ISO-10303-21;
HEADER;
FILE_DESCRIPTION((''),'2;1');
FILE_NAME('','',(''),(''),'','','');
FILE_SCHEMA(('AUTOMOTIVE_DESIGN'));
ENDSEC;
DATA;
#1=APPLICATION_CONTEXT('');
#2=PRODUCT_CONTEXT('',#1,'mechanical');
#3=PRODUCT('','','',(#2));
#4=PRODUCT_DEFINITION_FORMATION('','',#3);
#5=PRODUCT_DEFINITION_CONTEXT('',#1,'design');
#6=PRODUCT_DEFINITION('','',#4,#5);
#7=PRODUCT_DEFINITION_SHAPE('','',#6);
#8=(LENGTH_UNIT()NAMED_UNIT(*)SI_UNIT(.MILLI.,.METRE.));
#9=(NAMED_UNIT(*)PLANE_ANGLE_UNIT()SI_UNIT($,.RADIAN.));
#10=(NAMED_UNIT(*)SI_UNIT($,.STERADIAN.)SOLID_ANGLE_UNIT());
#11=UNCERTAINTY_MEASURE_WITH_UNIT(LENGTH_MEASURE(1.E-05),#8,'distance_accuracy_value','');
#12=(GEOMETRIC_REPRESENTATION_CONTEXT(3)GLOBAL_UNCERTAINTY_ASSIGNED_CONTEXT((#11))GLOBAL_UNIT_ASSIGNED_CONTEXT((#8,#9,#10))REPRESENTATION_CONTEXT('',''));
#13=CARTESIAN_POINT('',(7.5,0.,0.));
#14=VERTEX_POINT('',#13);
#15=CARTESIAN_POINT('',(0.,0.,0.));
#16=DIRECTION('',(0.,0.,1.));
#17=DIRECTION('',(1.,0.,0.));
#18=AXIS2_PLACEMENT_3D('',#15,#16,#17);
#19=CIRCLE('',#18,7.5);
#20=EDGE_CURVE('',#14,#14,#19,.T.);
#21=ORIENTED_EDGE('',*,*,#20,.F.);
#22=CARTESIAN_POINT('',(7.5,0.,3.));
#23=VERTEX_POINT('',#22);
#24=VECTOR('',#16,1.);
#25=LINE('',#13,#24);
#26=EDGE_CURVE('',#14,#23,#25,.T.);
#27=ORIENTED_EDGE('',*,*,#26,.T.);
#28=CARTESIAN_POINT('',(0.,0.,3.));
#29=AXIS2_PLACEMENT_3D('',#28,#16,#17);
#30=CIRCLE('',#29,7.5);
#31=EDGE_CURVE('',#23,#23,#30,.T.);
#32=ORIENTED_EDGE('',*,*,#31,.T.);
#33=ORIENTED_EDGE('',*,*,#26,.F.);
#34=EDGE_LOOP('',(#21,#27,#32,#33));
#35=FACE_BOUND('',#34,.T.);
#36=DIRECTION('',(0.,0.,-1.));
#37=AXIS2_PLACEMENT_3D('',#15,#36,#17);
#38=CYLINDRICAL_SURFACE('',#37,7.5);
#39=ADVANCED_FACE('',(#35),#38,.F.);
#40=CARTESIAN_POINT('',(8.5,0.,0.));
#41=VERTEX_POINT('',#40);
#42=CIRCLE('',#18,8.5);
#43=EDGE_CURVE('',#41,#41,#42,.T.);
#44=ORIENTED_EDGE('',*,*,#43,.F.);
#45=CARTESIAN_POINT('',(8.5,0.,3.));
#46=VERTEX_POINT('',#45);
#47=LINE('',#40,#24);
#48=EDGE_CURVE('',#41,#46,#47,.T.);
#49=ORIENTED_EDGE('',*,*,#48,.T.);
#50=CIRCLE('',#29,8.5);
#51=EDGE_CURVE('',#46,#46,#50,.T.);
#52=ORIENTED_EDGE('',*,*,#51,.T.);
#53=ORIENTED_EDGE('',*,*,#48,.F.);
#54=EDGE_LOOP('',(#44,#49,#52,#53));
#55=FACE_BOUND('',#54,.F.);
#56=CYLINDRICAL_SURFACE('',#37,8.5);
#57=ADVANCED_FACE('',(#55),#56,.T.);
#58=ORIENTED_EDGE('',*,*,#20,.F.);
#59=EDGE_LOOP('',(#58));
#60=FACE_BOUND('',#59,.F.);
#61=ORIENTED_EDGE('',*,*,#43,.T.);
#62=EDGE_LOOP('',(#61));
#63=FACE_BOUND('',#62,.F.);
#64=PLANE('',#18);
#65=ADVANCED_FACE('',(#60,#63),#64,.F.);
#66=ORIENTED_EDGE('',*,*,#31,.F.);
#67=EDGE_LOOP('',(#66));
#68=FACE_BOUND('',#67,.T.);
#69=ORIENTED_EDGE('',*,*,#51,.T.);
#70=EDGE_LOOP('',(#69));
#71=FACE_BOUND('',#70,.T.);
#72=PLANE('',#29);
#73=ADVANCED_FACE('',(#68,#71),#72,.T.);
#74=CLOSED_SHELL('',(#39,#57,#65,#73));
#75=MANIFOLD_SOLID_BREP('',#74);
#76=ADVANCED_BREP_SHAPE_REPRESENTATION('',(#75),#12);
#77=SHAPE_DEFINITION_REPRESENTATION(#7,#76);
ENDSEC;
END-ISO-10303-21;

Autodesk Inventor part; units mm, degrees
ref_plane "YZ Plane" through (0, 0, 0) normal (1, 0, 0) x (0, 1, 0)
ref_plane "XZ Plane" through (0, 0, 0) normal (0, 1, 0) x (-1, 0, 0)
ref_plane "XY Plane" through (0, 0, 0) normal (0, 0, 1) x (1, 0, 0)
sketch "スケッチ1" plane through (0, 0, 0) normal (0, 0, 1) x (1, 0, 0)
  circle A0 centre (0, 0) radius 7.5
  circle A1 centre (0, 0) radius 8.5
  dimension "d0" = 15
  dimension "d1" = 17
extrude "押し出し1" add sketch "スケッチ1" along normal blind 3
properties part number "オイレス　15-17" material "アセタール樹脂、黒"
